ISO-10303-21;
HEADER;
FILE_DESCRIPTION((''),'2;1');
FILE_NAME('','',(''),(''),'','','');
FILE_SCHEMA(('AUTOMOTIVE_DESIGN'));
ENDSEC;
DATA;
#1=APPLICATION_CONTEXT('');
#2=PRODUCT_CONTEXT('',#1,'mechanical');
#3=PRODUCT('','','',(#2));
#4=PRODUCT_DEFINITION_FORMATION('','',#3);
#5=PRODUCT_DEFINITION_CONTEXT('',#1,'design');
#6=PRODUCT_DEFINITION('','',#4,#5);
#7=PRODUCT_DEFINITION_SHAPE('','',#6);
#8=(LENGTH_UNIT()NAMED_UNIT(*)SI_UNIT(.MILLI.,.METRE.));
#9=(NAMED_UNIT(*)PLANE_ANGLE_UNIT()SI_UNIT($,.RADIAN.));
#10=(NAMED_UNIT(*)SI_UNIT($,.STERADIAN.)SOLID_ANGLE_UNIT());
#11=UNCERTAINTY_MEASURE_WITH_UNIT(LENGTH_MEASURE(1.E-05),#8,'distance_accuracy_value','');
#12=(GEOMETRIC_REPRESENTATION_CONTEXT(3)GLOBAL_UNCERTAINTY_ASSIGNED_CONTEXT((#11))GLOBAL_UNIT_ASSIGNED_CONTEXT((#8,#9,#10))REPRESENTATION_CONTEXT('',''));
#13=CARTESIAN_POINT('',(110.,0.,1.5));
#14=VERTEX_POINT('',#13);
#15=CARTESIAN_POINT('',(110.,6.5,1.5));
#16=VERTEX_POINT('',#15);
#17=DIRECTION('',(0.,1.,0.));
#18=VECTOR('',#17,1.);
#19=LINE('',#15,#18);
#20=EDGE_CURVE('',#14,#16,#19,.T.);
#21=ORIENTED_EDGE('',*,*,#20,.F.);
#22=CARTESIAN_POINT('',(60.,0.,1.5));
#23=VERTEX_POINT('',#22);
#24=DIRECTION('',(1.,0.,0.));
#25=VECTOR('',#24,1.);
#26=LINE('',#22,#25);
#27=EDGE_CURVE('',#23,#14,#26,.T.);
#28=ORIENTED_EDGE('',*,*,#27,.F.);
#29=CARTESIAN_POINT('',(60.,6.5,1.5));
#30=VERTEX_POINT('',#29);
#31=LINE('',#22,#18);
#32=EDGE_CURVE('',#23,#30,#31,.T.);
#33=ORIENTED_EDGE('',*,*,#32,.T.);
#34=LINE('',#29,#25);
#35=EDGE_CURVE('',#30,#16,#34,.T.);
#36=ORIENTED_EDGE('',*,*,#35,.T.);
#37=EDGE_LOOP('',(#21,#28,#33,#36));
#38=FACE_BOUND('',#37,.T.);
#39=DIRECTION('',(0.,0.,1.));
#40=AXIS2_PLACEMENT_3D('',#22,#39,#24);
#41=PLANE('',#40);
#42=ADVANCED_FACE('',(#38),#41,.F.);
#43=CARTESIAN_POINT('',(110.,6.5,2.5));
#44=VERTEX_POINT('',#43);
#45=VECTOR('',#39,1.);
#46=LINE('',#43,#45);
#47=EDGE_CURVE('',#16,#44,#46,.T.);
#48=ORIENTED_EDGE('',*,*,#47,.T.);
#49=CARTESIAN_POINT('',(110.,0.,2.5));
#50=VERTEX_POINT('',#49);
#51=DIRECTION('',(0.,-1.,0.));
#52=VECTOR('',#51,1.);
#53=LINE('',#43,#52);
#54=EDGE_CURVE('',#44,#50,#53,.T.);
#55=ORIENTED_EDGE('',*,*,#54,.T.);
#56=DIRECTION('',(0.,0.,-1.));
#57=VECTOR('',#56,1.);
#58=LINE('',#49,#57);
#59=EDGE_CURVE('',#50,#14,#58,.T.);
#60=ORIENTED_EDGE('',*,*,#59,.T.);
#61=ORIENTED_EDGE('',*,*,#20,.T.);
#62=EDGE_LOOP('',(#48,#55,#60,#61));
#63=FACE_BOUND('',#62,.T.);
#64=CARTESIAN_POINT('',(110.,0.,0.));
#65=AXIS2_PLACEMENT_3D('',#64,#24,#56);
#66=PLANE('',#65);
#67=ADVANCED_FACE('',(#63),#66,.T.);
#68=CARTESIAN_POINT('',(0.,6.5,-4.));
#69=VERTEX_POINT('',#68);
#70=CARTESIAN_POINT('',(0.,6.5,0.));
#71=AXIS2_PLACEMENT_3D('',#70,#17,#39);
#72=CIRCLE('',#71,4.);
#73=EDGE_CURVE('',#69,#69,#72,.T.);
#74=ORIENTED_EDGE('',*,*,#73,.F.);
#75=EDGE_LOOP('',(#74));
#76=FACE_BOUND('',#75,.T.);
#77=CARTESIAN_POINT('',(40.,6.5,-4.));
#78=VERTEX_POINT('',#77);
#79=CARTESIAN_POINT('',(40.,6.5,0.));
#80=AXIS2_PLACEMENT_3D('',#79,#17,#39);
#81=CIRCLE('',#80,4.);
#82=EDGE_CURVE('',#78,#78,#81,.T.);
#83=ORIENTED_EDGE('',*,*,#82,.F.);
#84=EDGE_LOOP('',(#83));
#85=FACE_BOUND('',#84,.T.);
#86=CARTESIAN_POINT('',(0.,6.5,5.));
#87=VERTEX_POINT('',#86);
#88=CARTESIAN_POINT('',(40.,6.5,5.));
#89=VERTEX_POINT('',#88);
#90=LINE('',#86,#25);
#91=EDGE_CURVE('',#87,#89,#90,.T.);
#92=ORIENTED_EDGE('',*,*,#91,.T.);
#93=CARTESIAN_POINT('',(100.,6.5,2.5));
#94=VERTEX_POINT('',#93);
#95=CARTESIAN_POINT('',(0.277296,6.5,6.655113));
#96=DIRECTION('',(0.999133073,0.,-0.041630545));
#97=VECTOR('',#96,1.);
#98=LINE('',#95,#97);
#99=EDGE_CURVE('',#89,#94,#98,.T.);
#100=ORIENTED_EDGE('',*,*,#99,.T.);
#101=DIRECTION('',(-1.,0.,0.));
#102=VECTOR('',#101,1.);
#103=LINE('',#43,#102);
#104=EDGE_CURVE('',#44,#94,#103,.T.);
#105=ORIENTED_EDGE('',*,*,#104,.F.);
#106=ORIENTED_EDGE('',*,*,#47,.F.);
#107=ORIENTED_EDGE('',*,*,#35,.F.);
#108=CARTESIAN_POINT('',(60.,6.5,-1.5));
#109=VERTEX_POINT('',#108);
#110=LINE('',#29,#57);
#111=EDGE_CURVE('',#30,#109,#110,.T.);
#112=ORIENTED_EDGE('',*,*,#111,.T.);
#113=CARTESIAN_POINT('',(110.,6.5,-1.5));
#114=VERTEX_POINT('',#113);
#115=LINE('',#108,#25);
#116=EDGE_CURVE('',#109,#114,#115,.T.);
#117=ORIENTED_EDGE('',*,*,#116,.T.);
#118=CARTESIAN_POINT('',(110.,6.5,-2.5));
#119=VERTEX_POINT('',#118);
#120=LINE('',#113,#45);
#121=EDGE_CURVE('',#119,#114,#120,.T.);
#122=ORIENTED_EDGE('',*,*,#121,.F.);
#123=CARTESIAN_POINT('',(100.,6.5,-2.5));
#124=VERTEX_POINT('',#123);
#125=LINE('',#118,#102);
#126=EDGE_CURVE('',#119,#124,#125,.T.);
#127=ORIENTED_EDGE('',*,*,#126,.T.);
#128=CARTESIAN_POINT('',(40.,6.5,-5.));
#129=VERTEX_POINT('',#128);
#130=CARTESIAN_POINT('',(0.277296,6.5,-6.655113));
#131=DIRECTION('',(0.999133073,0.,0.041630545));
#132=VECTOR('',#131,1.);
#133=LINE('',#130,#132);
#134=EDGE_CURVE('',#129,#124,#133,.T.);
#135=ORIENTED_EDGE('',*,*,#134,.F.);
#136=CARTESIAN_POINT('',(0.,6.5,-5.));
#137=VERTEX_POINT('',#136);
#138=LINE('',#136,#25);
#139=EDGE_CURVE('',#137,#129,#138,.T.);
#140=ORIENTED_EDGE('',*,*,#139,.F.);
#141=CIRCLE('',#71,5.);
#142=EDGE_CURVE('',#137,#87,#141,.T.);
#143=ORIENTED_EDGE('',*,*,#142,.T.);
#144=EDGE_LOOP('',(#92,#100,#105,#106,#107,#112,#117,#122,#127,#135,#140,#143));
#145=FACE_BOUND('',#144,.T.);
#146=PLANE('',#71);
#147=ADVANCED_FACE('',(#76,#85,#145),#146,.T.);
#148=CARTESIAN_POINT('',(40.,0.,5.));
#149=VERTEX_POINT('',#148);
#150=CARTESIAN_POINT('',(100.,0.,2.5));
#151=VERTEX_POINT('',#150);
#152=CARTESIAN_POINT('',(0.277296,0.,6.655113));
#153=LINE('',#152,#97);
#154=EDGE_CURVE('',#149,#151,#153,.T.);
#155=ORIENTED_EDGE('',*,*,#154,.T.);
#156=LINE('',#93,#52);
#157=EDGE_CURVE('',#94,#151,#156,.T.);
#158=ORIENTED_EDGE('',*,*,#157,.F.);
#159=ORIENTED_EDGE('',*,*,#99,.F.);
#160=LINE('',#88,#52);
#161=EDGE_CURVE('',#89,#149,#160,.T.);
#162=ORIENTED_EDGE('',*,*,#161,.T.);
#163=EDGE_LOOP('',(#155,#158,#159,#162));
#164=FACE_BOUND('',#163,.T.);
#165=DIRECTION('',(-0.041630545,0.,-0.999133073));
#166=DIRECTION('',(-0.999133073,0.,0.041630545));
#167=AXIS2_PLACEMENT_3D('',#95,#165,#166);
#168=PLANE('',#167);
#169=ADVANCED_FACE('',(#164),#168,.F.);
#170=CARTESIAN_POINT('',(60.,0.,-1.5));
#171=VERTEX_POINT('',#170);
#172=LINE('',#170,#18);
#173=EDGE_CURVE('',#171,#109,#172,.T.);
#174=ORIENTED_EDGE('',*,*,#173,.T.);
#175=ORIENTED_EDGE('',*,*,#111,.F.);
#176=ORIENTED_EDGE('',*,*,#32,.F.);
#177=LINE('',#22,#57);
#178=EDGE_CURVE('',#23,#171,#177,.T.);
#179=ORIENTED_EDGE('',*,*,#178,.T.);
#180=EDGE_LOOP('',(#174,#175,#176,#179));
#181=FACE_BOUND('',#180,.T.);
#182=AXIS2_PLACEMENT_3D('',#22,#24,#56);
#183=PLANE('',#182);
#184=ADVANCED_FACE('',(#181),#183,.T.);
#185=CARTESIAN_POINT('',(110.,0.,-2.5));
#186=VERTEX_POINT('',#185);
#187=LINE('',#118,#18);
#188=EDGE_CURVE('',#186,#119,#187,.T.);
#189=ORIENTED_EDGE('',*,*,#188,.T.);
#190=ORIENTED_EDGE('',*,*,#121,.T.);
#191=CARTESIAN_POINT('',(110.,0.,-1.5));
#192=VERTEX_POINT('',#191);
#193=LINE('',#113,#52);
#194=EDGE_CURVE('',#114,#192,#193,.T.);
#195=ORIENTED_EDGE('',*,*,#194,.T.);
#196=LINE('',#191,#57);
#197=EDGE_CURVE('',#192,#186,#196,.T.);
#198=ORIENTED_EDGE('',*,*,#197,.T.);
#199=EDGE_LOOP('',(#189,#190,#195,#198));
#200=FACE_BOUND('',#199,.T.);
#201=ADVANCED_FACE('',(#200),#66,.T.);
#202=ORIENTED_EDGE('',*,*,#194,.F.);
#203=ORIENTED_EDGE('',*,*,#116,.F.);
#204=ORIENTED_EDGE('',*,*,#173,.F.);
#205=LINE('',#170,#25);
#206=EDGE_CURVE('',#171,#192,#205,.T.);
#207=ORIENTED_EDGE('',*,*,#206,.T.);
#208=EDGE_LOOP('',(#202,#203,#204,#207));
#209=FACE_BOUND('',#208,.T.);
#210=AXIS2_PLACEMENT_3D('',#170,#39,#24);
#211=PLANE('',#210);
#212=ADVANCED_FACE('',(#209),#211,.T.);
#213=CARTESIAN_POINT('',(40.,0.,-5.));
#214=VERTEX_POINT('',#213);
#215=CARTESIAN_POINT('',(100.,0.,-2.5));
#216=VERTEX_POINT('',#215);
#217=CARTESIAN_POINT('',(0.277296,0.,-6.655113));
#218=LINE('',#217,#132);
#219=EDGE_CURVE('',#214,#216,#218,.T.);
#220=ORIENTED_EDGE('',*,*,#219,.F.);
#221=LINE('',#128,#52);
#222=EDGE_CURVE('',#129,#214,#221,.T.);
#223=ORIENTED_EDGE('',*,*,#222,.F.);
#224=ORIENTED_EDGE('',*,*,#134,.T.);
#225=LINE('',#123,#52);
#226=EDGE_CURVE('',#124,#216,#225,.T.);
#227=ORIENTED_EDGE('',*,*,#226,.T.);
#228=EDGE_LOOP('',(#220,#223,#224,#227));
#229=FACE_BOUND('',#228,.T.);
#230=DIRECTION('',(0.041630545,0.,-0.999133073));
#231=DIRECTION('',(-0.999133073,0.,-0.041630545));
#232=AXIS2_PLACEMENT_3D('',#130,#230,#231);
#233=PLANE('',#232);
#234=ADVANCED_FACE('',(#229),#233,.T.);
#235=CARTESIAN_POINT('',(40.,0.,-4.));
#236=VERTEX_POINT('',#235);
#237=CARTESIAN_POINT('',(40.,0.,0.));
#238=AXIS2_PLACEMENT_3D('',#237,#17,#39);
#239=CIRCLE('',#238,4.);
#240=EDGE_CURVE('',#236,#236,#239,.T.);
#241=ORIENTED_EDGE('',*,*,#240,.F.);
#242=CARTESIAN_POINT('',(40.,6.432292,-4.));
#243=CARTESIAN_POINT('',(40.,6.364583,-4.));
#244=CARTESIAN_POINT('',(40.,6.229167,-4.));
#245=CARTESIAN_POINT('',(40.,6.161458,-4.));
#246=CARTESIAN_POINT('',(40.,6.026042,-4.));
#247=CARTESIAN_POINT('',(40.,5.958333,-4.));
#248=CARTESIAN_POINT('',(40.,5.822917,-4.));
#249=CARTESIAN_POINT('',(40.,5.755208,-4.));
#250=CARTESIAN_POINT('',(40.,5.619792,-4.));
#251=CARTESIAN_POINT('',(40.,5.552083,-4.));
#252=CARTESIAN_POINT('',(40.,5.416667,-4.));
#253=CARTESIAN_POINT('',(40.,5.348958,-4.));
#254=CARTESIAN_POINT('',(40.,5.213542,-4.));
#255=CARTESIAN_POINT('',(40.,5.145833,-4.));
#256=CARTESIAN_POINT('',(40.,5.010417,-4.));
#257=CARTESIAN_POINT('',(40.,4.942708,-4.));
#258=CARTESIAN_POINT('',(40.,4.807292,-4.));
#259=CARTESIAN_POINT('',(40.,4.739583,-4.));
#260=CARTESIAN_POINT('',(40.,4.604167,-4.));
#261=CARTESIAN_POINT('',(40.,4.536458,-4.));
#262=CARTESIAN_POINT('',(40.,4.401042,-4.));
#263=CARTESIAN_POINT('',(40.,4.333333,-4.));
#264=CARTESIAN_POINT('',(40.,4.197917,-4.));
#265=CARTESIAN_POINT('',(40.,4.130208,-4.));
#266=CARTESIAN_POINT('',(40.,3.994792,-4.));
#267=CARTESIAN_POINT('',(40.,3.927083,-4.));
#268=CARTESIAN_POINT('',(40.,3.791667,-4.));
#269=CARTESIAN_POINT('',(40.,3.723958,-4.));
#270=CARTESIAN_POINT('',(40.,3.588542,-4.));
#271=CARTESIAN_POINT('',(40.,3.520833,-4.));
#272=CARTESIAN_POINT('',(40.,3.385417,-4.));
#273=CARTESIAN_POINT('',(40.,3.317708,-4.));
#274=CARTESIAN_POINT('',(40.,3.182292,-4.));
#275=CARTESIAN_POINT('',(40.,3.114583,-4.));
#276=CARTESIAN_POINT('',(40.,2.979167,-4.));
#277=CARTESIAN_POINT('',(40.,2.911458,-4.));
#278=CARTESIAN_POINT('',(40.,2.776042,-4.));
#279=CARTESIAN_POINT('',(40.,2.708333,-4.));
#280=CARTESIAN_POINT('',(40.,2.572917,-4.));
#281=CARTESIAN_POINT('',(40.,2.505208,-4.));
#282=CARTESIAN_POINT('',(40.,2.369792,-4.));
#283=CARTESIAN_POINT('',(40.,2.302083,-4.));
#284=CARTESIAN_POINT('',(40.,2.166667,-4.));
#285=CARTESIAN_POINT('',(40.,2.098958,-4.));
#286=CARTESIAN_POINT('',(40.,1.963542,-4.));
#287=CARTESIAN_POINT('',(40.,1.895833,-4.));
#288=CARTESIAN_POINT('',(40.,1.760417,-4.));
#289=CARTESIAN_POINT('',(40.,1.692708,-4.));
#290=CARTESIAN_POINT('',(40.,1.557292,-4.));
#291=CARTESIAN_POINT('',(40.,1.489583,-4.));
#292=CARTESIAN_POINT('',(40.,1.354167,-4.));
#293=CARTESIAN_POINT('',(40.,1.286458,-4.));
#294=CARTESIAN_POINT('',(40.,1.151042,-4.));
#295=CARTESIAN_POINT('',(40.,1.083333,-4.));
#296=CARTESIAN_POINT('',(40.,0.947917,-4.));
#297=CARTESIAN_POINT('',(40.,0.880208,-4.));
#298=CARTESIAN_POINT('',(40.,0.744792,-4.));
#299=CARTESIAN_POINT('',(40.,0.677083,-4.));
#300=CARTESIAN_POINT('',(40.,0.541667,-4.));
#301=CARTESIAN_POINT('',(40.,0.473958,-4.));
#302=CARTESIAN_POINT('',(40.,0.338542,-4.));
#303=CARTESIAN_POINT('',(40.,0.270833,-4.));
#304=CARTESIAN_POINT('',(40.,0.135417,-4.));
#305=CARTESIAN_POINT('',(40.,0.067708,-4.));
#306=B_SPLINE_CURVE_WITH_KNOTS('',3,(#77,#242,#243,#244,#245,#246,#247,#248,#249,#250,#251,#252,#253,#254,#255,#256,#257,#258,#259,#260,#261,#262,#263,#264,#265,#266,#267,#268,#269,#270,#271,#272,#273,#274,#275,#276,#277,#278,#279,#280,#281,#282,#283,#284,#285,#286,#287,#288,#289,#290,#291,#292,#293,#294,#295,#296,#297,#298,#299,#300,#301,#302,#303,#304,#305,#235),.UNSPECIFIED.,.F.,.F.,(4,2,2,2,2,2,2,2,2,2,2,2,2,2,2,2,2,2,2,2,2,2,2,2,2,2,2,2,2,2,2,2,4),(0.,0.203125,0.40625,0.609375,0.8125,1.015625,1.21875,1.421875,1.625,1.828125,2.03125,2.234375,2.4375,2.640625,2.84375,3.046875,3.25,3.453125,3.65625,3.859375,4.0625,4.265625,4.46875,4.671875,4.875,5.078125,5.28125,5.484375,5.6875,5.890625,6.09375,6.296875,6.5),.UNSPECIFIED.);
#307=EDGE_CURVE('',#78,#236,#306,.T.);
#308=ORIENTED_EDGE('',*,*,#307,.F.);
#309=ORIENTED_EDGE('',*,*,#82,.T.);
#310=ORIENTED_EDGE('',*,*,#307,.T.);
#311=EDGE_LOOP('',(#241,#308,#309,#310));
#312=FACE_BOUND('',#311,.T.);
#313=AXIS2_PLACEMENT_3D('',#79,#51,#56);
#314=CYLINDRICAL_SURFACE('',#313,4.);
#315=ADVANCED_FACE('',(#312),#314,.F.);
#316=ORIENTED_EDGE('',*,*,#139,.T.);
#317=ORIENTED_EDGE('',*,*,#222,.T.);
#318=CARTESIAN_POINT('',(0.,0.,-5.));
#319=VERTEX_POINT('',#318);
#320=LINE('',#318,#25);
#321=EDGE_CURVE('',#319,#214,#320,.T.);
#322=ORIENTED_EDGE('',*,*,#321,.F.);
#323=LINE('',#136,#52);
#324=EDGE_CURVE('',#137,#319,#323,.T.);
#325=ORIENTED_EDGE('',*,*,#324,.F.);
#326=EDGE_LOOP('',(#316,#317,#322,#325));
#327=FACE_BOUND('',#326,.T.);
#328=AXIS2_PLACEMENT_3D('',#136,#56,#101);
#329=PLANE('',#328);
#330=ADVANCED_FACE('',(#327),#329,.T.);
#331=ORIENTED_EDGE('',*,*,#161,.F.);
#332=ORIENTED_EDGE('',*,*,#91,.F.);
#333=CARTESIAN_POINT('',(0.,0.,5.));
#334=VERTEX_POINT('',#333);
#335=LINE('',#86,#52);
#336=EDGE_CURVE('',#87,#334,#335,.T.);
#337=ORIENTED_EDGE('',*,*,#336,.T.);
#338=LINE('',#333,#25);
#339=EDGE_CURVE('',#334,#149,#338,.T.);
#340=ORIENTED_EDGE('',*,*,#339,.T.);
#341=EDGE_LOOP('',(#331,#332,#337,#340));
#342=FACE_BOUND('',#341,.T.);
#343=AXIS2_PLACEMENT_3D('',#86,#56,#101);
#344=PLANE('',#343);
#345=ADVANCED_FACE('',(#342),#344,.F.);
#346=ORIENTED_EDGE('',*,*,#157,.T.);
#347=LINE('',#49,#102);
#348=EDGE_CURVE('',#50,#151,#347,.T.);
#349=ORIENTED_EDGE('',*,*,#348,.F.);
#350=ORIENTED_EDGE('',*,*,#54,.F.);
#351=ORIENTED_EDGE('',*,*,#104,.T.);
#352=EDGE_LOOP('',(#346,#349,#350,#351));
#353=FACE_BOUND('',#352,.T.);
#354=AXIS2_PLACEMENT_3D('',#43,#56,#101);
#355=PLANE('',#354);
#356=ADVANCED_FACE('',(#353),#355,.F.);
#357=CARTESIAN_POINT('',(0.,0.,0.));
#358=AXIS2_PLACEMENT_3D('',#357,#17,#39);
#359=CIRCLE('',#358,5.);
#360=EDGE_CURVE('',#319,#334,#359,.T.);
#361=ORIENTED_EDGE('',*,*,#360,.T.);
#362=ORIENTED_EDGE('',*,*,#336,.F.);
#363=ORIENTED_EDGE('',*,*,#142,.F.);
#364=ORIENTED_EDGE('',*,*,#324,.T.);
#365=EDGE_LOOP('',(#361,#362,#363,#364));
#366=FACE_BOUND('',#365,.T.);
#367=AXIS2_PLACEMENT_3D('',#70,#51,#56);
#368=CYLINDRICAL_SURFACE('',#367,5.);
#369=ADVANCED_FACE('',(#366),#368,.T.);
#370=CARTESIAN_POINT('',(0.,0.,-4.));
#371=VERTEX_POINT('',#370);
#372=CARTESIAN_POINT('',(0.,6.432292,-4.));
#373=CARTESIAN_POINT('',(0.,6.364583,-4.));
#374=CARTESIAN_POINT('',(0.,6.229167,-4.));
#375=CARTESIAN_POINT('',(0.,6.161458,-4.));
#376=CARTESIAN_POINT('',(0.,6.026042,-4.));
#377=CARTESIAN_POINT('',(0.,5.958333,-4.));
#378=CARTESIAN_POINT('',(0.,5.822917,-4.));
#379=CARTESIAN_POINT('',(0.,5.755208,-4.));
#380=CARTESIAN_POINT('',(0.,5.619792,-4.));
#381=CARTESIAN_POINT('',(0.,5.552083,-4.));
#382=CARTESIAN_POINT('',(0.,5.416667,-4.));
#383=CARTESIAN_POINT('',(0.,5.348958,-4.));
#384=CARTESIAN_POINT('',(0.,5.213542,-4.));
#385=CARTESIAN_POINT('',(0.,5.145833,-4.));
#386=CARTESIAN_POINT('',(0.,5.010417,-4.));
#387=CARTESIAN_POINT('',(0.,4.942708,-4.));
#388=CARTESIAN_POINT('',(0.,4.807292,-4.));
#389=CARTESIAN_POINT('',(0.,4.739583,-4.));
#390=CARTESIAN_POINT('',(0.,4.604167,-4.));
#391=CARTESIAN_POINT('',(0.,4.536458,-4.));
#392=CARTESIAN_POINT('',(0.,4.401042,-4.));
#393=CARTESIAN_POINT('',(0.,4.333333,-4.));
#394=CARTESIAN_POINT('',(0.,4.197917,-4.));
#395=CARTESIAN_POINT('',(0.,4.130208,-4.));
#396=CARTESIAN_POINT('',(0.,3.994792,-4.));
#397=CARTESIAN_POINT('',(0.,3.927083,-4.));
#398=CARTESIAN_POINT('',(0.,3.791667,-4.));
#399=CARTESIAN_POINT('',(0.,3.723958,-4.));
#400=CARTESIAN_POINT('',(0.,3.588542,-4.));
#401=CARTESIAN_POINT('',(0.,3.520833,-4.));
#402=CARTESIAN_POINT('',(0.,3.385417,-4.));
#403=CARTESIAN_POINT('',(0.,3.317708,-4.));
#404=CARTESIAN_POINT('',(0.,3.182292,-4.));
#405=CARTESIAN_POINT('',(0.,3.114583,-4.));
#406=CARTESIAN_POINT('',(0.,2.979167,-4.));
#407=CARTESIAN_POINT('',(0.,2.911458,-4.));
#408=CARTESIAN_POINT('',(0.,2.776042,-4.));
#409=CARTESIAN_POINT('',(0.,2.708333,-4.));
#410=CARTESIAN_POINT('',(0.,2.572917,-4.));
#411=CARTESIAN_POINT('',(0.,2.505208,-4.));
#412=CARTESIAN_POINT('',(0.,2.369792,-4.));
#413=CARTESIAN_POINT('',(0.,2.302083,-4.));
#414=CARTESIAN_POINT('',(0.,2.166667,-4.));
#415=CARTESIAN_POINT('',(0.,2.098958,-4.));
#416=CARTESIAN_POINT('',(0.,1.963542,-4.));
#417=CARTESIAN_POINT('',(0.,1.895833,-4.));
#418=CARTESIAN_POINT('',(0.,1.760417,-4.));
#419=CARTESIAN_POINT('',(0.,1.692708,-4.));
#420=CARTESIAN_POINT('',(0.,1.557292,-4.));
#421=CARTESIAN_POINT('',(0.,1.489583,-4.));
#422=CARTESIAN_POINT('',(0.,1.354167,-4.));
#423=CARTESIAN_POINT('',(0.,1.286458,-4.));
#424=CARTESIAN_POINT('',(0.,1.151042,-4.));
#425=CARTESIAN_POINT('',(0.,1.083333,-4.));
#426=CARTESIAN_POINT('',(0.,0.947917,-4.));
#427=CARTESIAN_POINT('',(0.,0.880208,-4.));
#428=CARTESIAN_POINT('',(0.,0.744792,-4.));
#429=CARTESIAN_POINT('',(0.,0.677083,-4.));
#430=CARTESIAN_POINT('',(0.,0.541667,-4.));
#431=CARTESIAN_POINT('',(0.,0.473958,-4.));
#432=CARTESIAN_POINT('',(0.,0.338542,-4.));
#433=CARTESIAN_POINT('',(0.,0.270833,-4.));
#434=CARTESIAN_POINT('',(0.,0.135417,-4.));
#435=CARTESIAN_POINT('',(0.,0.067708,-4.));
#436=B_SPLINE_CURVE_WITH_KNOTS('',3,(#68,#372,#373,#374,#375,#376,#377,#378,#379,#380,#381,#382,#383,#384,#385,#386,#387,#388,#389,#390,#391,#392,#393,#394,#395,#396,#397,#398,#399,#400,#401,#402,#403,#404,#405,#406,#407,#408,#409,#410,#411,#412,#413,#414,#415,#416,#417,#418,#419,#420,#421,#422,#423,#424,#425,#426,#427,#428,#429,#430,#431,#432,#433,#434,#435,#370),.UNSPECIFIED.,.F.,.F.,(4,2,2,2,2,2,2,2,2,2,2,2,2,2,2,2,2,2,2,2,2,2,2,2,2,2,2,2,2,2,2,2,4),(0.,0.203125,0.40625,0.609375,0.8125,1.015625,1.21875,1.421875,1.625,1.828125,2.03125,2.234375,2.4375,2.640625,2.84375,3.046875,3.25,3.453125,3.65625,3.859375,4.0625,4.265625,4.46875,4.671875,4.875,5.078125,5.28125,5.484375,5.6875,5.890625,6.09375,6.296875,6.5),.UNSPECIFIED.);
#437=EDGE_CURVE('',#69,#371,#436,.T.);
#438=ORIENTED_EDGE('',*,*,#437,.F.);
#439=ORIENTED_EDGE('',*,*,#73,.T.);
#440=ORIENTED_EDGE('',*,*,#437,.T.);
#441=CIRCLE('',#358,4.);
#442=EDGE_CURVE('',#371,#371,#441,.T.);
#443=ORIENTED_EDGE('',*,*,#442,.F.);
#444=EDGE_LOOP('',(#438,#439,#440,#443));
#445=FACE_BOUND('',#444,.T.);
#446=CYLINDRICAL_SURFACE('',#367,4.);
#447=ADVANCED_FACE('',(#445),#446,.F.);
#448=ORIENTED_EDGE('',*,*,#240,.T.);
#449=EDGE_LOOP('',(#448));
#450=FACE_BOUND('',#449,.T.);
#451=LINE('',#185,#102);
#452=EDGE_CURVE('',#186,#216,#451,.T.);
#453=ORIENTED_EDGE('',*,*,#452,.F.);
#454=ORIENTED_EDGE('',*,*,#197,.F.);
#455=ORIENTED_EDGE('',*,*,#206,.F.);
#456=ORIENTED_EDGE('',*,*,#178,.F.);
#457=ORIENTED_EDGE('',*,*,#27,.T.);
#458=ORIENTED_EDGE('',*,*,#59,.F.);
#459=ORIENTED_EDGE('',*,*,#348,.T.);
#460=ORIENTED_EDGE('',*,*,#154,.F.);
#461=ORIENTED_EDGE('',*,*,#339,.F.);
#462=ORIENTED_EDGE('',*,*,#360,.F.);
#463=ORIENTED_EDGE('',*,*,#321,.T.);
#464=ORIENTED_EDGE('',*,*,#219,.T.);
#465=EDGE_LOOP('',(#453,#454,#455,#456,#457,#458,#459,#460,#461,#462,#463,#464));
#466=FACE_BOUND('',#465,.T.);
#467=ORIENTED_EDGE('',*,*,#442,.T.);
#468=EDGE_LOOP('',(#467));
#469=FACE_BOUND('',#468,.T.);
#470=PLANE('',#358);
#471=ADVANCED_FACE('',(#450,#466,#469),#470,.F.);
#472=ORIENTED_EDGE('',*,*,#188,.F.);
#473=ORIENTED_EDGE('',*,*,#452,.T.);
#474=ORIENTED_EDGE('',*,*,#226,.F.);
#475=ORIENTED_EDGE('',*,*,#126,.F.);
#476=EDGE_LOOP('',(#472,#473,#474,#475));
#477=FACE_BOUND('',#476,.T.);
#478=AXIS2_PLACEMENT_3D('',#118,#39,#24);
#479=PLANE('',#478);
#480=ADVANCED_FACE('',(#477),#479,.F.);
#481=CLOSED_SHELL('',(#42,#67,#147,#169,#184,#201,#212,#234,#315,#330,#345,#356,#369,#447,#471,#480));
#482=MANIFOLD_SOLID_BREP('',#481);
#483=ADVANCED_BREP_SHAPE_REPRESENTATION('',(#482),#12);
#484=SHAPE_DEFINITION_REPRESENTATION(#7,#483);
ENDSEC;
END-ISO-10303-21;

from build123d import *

# Parameters (mm, degrees)
SKETCH_1_R          = 4
EXTRUDE_1_DEPTH     = 6.5
SKETCH_2_W          = 40
SKETCH_2_H          = 3
CUT_EXTRUDE_1_DEPTH = 101.335686573
SKETCH_3_W          = 1
SKETCH_3_H          = 6.5
EXTRUDE_2_DEPTH     = 10


with BuildPart() as part:
    # 草图1 → 凸台-拉伸1 (new body)
    with BuildSketch(Plane(origin=(0, 0, 0), x_dir=(1, 0, 0), z_dir=(0, 1, 0))):
        with BuildLine():
            ThreePointArc((0, 5), (-5, 0), (0, -5))
            Line((0, -5), (40, -5))
            Line((40, -5), (100, -2.5))
            Line((100, -2.5), (100, 2.5))
            Line((100, 2.5), (40, 5))
            Line((40, 5), (0, 5))
        make_face()
        with Locations(Location((0, 0, 0), (0, 0, 90))):
            Circle(SKETCH_1_R, mode=Mode.SUBTRACT)
        with Locations(Location((40, 0, 0), (0, 0, 90))):
            Circle(SKETCH_1_R, mode=Mode.SUBTRACT)
    extrude(amount=EXTRUDE_1_DEPTH)

    # 草图2 → 切除-拉伸1 (cut, through all)
    with BuildSketch(Plane(origin=(0, 6.5, 0), x_dir=(1, 0, 0), z_dir=(0, 1, 0))):
        with Locations((80, 0)):
            Rectangle(SKETCH_2_W, SKETCH_2_H)
    extrude(amount=-CUT_EXTRUDE_1_DEPTH, mode=Mode.SUBTRACT)

    # 草图3 → 凸台-拉伸2 (add)
    with BuildSketch(Plane(origin=(100, 0, 0), x_dir=(0, 0, -1), z_dir=(1, 0, 0))):
        with Locations((-2, 3.25)):
            Rectangle(SKETCH_3_W, SKETCH_3_H)
        with Locations((2, 3.25)):
            Rectangle(SKETCH_3_W, SKETCH_3_H)
    extrude(amount=EXTRUDE_2_DEPTH)


solid = part.part
